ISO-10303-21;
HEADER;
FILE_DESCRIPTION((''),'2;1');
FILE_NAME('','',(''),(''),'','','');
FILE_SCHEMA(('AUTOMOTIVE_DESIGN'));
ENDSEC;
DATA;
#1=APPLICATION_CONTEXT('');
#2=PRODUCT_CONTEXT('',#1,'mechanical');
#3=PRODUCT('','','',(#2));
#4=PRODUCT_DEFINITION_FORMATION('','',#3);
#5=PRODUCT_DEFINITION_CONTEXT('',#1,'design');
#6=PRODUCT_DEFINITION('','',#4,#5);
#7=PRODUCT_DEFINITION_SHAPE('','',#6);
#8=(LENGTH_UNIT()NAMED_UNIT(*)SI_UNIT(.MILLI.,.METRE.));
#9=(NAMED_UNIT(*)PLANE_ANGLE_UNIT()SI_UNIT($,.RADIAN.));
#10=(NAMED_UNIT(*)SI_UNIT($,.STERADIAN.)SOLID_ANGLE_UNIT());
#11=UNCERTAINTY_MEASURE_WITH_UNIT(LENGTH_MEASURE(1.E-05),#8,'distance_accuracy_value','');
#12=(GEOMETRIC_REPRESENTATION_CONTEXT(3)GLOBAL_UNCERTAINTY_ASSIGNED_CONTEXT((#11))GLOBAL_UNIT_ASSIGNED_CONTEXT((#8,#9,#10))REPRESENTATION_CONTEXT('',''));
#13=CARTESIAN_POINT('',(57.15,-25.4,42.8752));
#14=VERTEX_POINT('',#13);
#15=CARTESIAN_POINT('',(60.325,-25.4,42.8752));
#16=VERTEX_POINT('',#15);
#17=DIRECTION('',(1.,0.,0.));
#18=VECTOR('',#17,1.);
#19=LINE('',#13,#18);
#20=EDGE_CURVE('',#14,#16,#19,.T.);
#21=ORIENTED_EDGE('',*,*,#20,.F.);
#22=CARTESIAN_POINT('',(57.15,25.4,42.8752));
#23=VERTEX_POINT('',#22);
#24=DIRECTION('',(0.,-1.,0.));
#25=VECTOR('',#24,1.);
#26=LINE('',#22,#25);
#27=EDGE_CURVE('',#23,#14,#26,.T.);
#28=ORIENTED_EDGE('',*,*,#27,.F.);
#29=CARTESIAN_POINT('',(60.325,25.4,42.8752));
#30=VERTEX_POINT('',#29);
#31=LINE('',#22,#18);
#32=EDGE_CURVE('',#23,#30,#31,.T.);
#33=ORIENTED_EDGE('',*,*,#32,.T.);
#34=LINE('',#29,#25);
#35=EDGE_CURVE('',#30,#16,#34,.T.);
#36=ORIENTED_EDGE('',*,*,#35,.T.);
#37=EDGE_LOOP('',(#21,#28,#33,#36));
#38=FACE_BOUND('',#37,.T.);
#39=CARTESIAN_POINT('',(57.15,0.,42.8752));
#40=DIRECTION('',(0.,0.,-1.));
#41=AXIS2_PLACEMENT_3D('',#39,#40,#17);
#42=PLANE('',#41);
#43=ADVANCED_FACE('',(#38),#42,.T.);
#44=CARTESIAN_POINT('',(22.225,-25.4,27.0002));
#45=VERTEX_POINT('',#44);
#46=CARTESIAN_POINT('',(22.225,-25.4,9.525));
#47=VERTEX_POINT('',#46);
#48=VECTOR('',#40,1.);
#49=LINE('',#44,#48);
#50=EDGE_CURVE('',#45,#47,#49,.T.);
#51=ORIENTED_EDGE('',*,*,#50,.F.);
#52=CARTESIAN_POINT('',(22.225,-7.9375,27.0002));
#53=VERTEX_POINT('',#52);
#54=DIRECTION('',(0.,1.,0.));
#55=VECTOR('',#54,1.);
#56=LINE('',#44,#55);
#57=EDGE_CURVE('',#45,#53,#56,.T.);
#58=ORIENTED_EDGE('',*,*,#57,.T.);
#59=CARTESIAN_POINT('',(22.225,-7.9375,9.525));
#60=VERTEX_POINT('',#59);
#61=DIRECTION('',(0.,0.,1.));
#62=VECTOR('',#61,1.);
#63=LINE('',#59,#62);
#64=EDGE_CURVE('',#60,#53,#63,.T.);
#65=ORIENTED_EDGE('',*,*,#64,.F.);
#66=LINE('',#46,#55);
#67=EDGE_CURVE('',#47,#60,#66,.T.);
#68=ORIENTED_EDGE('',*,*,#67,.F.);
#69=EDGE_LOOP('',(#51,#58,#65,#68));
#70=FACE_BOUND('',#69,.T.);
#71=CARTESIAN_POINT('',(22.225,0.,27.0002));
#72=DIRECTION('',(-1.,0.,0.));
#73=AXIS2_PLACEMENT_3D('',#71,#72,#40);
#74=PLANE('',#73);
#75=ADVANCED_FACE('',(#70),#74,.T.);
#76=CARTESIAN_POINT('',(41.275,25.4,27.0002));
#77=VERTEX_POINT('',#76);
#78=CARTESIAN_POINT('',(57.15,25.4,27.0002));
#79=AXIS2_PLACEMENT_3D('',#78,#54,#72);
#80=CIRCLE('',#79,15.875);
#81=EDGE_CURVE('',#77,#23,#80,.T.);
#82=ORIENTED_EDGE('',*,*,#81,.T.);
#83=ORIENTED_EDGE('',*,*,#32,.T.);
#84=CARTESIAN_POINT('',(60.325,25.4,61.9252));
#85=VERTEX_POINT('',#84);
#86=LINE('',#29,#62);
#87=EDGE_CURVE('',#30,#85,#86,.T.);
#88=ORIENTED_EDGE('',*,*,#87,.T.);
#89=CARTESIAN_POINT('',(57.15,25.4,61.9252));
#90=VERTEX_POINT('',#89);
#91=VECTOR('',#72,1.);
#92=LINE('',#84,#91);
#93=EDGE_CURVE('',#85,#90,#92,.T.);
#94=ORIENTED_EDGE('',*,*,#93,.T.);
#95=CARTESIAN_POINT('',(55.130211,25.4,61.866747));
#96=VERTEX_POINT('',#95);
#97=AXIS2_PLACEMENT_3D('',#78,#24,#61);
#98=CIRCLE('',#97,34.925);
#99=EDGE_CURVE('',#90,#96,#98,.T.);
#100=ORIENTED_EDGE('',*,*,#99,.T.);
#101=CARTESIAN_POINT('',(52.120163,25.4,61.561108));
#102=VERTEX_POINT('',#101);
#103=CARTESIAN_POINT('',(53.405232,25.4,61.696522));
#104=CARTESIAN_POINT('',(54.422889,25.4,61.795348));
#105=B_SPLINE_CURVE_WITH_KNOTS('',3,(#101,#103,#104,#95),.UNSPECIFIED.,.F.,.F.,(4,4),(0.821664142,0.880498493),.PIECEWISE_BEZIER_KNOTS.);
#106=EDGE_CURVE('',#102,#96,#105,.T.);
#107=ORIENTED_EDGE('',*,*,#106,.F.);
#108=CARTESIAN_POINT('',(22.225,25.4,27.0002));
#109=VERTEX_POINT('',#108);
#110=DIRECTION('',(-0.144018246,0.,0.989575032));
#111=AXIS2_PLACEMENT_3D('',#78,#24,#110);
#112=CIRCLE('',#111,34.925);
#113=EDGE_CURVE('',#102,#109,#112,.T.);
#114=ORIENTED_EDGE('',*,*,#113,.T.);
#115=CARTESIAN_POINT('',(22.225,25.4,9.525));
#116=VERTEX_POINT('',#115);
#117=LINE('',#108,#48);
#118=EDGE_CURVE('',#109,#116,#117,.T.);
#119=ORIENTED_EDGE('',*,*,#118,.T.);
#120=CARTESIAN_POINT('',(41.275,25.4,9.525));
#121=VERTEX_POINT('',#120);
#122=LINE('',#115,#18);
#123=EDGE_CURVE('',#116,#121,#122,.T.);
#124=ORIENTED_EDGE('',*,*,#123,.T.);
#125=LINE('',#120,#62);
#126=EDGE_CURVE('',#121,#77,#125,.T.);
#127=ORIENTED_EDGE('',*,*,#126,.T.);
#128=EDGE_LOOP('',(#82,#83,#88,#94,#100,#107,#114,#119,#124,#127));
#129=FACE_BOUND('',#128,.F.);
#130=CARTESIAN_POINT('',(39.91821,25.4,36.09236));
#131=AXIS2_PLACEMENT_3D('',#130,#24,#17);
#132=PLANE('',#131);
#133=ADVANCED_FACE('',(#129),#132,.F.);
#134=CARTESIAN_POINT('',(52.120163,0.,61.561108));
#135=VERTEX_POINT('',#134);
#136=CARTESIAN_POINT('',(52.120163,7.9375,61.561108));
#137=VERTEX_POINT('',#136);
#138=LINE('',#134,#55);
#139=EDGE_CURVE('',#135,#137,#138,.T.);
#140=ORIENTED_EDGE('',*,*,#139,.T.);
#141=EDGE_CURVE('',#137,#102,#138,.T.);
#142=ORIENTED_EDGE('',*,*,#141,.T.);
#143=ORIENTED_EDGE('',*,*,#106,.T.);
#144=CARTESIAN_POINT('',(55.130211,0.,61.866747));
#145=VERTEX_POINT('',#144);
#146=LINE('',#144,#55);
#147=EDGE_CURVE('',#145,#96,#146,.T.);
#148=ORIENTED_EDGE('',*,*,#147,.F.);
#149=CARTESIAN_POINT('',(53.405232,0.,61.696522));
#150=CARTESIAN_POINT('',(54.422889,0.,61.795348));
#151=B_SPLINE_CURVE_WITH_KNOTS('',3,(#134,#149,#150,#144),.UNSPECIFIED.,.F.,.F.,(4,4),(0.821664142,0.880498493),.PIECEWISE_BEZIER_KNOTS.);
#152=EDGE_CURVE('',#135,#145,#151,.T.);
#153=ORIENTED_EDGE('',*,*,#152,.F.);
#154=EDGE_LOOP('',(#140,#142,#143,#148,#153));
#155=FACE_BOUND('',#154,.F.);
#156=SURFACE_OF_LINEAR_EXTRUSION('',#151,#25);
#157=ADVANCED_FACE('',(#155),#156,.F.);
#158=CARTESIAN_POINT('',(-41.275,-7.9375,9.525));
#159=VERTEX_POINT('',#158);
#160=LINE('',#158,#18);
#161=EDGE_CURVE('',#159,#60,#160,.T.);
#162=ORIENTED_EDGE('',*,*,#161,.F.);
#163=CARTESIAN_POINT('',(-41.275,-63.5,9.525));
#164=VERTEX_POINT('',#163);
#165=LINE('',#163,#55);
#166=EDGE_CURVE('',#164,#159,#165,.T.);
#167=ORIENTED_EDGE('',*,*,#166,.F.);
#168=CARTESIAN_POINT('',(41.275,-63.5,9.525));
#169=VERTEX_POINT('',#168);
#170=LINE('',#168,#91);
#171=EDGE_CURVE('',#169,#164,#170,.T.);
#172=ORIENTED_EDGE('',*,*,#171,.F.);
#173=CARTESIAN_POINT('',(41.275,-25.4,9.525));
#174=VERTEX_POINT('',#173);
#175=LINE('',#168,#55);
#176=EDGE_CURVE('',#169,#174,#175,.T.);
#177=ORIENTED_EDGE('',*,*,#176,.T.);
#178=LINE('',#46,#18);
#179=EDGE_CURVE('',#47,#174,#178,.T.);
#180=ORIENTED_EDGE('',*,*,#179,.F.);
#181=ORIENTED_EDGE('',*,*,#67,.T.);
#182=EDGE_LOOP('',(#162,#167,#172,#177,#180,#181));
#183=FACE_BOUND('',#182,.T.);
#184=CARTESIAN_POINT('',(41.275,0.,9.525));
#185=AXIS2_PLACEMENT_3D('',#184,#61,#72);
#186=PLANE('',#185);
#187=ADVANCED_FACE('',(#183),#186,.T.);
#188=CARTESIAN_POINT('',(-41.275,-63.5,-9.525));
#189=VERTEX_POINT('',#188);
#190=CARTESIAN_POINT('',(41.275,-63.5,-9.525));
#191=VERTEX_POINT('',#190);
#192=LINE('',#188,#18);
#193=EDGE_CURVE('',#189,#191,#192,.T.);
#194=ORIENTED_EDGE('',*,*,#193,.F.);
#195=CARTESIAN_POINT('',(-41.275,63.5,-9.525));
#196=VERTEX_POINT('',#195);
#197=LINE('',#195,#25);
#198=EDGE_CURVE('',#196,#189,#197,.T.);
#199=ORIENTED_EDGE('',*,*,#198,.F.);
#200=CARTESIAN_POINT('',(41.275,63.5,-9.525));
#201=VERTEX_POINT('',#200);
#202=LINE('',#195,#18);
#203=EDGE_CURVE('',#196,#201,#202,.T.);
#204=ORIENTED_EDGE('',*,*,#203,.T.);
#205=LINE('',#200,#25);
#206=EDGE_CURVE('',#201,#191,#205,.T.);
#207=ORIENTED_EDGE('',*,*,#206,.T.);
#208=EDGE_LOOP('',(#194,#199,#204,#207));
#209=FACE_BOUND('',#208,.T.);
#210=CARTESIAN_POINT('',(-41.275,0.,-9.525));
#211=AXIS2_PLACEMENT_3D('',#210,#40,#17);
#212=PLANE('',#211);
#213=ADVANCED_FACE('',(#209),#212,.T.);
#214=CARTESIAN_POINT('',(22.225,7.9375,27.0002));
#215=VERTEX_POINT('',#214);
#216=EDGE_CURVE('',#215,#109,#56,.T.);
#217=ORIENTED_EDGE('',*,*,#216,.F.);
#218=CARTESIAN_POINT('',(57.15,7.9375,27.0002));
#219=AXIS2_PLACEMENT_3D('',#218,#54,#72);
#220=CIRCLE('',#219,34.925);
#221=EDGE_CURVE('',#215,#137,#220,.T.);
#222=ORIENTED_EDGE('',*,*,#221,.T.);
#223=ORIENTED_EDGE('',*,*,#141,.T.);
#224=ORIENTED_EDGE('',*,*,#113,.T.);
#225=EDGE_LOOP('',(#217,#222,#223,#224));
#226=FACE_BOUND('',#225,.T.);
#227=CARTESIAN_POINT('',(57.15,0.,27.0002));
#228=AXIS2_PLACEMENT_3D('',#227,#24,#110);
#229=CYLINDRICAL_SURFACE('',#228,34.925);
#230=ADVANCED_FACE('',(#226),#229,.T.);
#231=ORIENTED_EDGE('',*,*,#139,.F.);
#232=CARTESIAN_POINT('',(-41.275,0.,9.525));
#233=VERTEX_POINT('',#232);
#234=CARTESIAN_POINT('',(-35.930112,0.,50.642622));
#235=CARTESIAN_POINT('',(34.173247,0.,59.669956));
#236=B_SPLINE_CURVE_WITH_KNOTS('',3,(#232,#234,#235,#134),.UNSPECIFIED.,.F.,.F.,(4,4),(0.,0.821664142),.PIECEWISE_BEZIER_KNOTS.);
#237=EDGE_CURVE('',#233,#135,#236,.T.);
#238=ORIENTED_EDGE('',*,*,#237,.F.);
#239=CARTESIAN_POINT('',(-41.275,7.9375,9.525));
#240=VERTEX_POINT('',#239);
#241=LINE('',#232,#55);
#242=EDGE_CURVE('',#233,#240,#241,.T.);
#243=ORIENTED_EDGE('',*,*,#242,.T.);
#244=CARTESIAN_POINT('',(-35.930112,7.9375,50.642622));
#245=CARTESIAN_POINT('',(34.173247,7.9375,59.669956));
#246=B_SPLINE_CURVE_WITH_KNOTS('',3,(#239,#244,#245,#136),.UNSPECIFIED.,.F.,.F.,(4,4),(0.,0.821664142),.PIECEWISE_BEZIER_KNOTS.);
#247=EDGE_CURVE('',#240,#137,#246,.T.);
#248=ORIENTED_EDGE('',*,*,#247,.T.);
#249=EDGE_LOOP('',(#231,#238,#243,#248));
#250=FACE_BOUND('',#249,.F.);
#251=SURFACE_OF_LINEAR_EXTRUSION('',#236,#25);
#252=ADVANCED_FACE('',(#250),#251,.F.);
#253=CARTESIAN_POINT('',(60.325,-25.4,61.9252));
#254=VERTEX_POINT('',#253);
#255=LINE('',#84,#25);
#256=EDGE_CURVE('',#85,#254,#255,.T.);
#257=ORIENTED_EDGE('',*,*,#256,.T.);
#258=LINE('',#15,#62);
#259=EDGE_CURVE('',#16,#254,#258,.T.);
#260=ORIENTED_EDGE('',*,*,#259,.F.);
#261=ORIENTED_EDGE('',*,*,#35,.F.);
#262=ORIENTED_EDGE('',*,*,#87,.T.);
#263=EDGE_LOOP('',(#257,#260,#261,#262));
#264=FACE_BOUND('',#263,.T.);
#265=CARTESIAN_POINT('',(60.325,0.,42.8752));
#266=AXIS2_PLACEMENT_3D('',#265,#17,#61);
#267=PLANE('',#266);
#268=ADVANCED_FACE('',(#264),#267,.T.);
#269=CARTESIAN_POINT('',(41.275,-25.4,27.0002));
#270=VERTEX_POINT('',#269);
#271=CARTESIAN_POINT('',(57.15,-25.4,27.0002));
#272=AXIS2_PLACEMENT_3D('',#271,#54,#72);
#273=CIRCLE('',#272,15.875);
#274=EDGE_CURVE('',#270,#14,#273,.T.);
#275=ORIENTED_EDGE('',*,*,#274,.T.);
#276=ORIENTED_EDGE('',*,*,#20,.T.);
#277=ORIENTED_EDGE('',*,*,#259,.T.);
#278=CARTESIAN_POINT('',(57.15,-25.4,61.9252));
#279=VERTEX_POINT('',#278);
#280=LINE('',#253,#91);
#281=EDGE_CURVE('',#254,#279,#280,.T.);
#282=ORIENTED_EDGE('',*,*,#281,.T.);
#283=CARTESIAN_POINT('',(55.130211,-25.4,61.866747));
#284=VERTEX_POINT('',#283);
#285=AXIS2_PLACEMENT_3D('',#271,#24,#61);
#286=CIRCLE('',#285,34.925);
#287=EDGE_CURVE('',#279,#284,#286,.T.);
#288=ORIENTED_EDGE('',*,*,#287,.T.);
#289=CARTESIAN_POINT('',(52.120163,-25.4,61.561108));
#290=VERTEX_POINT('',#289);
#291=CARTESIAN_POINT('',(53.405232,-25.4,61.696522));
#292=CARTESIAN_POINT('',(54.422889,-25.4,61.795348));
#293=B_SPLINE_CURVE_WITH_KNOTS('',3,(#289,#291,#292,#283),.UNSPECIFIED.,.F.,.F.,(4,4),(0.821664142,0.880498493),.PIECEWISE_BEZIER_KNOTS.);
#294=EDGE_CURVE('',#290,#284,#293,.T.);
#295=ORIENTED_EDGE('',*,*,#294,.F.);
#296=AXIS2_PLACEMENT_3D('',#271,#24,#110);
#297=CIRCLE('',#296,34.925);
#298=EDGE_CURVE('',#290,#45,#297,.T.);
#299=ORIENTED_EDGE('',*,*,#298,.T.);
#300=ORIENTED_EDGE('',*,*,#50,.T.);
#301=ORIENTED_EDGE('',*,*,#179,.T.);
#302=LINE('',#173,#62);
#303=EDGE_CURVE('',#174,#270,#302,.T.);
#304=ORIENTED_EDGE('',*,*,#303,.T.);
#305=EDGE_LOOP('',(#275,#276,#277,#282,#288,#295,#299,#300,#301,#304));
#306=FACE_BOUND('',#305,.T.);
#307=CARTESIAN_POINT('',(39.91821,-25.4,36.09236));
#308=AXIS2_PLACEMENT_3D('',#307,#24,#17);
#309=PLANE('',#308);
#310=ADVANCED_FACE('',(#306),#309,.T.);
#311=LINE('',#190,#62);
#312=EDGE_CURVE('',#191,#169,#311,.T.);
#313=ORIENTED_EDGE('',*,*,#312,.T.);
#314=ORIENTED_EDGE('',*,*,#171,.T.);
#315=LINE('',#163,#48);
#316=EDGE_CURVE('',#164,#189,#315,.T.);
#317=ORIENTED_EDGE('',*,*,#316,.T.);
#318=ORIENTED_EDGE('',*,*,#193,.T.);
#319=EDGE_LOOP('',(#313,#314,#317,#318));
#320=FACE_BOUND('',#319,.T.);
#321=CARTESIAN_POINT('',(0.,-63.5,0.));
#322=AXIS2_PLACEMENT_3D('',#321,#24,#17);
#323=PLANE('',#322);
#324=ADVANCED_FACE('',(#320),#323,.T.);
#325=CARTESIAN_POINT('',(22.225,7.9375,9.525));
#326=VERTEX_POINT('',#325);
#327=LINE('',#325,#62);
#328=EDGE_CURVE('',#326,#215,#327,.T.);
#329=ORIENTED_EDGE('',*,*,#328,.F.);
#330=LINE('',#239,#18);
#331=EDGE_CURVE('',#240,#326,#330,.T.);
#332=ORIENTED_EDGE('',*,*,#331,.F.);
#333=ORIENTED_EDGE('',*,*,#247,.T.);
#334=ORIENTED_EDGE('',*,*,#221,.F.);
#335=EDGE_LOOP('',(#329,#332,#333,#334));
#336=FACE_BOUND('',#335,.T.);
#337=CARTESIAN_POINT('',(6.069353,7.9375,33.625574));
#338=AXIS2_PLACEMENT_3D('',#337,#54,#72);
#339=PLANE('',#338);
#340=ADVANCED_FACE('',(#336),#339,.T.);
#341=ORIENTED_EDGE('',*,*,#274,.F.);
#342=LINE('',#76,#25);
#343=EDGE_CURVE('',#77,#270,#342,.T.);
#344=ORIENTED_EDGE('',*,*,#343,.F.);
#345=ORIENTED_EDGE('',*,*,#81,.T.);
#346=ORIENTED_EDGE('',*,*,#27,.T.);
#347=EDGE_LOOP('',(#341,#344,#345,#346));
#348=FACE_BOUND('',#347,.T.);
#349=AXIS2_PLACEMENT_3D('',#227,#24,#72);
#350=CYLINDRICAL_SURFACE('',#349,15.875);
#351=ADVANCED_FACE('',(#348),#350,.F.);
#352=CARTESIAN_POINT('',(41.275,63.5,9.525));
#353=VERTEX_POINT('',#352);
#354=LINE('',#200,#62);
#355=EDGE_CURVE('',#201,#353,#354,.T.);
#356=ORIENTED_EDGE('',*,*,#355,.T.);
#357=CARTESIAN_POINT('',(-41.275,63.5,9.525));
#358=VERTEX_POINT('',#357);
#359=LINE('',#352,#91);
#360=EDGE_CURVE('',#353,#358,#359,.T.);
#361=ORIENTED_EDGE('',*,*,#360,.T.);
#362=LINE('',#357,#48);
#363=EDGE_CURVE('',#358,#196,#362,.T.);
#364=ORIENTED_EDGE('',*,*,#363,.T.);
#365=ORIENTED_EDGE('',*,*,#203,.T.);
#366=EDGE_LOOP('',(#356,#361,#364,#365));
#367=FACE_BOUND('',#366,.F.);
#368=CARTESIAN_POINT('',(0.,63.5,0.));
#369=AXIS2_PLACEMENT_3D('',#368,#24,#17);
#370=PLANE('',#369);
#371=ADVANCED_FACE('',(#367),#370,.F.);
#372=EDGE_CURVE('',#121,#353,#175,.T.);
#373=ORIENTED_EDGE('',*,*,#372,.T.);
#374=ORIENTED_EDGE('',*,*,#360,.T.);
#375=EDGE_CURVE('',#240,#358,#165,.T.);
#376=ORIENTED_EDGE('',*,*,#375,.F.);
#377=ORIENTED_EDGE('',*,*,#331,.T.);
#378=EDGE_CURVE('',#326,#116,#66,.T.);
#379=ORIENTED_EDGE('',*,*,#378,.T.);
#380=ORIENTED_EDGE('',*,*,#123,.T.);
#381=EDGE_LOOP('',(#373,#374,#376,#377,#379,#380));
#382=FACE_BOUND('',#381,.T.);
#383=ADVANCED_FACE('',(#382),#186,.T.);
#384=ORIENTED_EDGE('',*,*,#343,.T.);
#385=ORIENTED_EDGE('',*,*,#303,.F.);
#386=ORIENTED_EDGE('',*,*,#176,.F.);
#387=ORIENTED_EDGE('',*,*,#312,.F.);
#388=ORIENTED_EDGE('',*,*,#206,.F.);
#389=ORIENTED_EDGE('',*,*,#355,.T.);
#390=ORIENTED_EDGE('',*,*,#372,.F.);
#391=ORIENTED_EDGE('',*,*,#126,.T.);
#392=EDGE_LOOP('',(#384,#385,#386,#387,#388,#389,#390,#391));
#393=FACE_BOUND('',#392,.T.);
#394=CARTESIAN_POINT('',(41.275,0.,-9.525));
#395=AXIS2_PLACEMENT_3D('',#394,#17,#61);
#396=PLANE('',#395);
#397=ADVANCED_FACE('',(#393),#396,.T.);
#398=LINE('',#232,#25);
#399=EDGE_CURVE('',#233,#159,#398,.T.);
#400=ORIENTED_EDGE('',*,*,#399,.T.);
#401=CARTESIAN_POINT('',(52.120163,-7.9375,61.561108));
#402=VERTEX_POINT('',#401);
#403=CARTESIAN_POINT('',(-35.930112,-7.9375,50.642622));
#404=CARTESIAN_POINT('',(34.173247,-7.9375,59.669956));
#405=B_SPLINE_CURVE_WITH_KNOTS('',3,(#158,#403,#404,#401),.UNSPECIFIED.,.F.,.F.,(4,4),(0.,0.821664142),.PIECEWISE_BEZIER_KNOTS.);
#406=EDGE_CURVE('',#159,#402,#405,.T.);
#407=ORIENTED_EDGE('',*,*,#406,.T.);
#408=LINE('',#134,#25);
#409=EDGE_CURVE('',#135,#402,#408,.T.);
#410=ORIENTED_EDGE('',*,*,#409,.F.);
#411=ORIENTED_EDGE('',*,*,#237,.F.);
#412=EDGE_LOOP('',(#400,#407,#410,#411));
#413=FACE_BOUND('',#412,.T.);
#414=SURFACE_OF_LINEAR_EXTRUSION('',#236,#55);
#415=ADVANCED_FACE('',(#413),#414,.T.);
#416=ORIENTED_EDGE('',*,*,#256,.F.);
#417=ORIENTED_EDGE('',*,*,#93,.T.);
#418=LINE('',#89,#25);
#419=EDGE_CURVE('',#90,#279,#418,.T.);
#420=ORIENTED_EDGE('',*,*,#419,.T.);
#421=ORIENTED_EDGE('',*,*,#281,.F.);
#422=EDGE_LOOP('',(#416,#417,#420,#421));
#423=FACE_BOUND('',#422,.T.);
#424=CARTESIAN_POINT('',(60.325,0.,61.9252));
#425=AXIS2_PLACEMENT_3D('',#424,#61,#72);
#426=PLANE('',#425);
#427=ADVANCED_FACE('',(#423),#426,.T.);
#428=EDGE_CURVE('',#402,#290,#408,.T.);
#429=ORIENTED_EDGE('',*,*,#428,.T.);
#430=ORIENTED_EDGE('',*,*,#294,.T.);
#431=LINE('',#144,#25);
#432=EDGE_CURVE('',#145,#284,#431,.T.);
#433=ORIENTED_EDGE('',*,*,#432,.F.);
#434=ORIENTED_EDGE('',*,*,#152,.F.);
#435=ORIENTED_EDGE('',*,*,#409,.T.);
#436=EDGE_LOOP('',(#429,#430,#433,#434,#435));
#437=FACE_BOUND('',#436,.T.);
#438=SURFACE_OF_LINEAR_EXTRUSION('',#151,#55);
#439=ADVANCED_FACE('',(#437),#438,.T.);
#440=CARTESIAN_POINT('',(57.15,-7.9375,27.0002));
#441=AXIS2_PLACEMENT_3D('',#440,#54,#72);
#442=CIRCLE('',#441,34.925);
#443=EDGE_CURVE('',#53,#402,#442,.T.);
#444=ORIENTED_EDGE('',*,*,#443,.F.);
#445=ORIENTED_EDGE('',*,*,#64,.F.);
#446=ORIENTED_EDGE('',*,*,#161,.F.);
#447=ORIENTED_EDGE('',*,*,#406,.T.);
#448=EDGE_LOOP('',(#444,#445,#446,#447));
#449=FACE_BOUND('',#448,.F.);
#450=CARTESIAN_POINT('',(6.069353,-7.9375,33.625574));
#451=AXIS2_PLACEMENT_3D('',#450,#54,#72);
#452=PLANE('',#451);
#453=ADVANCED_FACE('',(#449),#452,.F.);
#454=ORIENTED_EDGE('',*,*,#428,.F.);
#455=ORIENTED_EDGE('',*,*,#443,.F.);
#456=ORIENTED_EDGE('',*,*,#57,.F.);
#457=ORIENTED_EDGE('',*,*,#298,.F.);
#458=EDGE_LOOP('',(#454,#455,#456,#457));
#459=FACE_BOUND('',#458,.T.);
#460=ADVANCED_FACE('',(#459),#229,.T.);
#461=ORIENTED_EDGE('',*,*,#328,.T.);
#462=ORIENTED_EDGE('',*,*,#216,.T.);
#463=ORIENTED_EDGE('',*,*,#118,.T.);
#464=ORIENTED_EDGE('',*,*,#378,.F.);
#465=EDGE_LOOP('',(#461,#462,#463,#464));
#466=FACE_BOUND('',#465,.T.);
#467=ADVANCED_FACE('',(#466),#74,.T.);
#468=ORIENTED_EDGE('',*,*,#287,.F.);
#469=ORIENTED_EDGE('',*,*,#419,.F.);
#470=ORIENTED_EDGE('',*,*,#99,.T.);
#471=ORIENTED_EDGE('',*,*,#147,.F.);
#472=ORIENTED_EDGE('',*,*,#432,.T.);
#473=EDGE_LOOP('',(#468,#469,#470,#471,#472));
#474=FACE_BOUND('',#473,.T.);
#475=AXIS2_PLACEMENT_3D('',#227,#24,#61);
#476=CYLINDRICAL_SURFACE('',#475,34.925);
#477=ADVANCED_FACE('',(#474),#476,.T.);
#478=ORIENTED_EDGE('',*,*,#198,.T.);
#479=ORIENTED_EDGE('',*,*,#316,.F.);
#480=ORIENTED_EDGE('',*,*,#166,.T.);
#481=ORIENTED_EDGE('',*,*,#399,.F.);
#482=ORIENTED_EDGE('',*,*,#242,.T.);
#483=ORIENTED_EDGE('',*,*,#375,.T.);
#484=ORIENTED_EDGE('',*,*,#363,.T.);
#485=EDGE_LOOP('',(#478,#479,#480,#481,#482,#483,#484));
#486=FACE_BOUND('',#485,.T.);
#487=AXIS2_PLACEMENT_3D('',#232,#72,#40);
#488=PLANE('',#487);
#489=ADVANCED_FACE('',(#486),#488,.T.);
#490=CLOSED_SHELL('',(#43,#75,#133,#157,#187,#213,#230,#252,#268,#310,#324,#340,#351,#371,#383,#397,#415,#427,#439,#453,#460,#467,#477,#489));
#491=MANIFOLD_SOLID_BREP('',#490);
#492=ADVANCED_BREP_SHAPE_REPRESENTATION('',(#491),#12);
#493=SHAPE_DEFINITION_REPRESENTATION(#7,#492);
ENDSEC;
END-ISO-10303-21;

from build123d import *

# Parameters (mm, degrees)
F1_DEPTH = 63.5
F2_DEPTH = 25.4
F3_DEPTH = 7.9375


with BuildPart() as f1:
    # F0 (on Front) → F1 (new body, symmetric)
    with BuildSketch(Plane.XZ):
        Polygon((-41.275, 9.525), (-41.275, -9.525), (41.275, -9.525), (41.275, 9.525), (22.225, 9.525), align=None)
    extrude(amount=F1_DEPTH, both=True)

    # F0 (on Front) → F2 (join, symmetric)
    with BuildSketch(Plane.XZ):
        with BuildLine():
            Line((22.225, 9.525), (41.275, 9.525))
            Line((41.275, 9.525), (41.275, 27.0002))
            ThreePointArc((41.275, 27.0002), (45.9246798487, 38.2255201513), (57.15, 42.8752))
            Line((57.15, 42.8752), (60.325, 42.8752))
            Line((60.325, 42.8752), (60.325, 61.9252))
            Line((60.325, 61.9252), (57.15, 61.9252))
            ThreePointArc((57.15, 61.9252), (56.1396828134, 61.9105836155), (55.1302112781, 61.8667466962))
            add(Edge.make_bspline(
                [(52.1201627653, 61.5611080088), (53.4052318072, 61.69652188), (54.4228886403, 61.7953477122), (55.1302112781, 61.8667466962)],
                knots=[0.8216641419, 0.8216641419, 0.8216641419, 0.8216641419, 0.8804984928, 0.8804984928, 0.8804984928, 0.8804984928], degree=3))
            ThreePointArc((52.1201627653, 61.5611080088), (30.7357738101, 49.8484883339), (22.225, 27.0002))
            Line((22.225, 27.0002), (22.225, 9.525))
        make_face()
    extrude(amount=F2_DEPTH, both=True)

    # F0 (on Front) → F3 (join, symmetric)
    with BuildSketch(Plane.XZ):
        with BuildLine():
            add(Edge.make_bspline(
                [(-41.275, 9.525), (-35.930112491, 50.6426220419), (34.1732467865, 59.6699556353), (52.1201627653, 61.5611080088)],
                knots=[0, 0, 0, 0, 0.8216641419, 0.8216641419, 0.8216641419, 0.8216641419], degree=3))
            Line((-41.275, 9.525), (22.225, 9.525))
            Line((22.225, 9.525), (22.225, 27.0002))
            ThreePointArc((22.225, 27.0002), (30.7357738101, 49.8484883339), (52.1201627653, 61.5611080088))
        make_face()
    extrude(amount=F3_DEPTH, both=True)


solid = f1.part
